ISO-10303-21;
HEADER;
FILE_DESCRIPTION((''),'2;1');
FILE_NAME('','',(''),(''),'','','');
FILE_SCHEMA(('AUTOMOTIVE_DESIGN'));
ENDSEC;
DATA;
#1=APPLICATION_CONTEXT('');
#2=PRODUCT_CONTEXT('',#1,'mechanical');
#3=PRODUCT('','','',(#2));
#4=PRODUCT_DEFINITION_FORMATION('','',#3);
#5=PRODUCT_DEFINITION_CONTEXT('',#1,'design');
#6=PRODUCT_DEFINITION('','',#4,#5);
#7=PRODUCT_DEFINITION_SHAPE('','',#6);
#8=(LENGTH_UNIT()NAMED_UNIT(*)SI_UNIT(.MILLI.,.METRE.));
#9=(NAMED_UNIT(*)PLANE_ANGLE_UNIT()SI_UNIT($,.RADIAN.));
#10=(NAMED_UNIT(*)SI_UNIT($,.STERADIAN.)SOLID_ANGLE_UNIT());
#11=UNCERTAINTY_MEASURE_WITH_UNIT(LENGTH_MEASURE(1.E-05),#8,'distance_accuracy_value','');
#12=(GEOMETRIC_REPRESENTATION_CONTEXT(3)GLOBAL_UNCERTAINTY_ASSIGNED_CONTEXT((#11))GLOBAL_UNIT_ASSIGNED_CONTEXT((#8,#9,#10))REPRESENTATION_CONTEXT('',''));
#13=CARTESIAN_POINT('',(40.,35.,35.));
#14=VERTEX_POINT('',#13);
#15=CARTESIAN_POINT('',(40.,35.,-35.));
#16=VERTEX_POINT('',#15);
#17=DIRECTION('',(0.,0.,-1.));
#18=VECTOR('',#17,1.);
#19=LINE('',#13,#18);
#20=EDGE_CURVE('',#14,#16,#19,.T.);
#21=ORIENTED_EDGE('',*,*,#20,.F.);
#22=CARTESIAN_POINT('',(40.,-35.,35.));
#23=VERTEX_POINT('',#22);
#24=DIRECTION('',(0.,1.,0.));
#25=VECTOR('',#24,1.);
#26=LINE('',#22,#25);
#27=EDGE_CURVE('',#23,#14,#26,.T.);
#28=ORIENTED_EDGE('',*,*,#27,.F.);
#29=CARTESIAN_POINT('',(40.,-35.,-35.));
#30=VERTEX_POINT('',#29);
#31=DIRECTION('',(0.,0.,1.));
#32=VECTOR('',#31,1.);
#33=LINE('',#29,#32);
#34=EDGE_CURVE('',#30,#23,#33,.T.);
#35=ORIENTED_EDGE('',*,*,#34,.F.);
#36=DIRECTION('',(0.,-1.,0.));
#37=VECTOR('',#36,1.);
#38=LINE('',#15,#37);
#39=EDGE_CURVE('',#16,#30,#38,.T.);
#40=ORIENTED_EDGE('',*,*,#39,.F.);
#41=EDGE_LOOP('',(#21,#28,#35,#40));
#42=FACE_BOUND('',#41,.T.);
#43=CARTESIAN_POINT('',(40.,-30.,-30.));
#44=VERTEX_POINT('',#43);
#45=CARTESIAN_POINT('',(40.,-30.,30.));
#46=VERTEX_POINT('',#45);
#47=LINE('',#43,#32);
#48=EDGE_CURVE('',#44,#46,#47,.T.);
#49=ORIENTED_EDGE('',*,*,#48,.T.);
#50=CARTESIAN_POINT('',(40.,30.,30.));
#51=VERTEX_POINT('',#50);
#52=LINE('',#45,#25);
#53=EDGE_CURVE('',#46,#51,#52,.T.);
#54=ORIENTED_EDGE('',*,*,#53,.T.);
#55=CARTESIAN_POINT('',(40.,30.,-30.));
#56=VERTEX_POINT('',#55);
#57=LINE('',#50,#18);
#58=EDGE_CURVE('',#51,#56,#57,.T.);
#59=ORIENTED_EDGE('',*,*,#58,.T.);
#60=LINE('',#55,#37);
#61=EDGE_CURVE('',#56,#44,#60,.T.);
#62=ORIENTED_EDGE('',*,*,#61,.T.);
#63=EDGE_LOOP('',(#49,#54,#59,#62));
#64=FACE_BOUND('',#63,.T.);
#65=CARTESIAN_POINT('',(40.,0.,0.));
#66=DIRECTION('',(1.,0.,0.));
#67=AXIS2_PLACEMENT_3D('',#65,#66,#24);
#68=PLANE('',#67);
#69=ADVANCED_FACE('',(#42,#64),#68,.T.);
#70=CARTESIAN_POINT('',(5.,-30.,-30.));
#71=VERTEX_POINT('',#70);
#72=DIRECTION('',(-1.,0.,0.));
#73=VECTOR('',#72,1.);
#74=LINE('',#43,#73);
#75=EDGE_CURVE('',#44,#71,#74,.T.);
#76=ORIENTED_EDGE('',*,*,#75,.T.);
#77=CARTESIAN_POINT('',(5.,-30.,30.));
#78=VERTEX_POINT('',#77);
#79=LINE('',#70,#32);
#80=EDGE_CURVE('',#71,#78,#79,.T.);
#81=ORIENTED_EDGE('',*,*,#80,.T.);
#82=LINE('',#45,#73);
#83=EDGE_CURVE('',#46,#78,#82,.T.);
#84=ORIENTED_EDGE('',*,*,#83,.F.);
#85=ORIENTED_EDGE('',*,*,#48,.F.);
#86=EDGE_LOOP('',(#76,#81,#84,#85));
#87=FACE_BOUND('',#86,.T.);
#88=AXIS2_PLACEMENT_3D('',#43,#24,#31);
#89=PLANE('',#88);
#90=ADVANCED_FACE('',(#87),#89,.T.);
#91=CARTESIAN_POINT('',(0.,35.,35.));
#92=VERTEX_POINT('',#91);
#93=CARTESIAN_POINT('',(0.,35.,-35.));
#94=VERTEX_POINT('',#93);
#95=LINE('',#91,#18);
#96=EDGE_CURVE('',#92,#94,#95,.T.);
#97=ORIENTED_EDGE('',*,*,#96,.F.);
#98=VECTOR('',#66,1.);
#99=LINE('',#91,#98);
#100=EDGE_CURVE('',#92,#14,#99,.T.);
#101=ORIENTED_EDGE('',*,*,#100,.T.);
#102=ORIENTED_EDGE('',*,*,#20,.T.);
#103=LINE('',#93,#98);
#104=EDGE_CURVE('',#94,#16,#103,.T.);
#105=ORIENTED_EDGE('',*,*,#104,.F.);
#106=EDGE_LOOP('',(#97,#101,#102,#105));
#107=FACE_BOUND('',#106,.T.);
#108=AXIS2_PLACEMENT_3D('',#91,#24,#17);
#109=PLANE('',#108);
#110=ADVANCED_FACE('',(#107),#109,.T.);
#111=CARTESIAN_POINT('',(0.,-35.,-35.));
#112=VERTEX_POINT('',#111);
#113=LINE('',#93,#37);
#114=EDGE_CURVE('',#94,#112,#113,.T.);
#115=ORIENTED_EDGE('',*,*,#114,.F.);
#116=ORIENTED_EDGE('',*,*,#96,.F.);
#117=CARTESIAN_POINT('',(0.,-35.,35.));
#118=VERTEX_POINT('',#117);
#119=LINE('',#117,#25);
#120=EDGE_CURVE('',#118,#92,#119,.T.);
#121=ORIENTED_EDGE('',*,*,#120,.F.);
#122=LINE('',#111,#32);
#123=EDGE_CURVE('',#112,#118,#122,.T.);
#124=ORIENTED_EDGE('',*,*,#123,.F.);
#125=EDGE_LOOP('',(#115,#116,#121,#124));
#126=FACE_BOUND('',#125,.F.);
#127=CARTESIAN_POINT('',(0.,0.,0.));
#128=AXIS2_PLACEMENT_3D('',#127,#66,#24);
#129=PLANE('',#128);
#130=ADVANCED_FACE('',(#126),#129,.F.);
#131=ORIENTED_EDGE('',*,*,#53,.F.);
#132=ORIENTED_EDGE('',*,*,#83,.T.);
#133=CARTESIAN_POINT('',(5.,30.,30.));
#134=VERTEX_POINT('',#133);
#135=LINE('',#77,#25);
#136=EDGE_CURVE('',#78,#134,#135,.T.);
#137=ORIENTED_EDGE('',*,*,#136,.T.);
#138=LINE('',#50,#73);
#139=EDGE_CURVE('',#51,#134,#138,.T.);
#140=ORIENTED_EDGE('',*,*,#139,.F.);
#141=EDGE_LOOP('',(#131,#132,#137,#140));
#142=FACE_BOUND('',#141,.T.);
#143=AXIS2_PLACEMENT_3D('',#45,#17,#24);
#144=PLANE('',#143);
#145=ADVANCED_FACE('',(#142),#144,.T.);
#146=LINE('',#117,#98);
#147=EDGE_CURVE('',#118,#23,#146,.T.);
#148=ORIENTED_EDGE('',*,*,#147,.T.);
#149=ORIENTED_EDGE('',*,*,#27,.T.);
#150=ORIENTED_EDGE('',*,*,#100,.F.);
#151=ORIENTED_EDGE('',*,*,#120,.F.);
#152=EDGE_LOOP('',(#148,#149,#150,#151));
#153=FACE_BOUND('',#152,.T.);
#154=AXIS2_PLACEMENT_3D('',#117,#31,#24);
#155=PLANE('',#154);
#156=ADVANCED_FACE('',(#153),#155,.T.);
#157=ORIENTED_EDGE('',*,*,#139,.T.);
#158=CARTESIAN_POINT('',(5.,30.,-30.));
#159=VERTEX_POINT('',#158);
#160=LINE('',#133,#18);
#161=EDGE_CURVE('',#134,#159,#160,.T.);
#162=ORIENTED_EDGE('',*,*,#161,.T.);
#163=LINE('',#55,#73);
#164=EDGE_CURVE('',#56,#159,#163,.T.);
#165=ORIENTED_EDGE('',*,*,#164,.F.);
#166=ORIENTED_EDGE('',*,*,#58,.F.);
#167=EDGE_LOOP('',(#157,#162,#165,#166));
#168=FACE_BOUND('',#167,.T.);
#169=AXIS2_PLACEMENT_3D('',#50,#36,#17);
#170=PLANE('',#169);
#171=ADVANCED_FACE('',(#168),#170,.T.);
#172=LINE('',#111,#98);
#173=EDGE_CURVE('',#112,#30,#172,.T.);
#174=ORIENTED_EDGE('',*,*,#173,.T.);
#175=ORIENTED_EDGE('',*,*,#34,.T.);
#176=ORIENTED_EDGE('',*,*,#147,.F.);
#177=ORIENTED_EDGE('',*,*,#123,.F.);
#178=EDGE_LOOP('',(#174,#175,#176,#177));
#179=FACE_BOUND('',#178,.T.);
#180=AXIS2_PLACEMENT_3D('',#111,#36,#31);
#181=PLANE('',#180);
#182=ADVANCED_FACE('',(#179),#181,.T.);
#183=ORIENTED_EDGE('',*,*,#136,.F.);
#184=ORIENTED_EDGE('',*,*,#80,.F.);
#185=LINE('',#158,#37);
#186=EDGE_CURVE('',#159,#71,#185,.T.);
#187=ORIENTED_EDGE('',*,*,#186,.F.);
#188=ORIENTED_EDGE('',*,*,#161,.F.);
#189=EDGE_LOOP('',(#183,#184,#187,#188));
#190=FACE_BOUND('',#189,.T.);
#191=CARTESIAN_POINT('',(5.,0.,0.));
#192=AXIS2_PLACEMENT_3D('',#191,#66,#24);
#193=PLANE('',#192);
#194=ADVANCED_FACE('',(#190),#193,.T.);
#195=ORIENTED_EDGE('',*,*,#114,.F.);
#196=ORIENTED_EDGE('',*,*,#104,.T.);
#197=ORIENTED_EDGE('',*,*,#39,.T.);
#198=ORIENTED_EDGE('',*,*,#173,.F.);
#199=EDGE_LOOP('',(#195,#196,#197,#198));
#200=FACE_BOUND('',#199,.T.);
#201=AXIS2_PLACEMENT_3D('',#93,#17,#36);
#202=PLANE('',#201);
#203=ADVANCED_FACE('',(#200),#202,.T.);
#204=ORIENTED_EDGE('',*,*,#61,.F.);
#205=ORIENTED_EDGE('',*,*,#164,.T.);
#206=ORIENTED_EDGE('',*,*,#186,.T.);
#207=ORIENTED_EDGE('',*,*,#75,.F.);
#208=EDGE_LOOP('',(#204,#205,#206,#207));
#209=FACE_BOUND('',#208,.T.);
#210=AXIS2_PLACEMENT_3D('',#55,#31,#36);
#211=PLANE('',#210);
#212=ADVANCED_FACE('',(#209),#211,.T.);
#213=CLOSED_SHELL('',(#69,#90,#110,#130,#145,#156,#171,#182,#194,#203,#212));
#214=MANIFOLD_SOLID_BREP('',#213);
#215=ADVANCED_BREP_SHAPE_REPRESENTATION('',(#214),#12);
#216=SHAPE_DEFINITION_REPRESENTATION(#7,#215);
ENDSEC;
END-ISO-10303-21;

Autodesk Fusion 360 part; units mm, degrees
sketch "Sketch1" plane through (0, 0, 0) normal (1, 0, 0) x (0, 1, 0)
  line L0 (-35, 35) -> (35, 35)
  line L1 (35, 35) -> (35, -35)
  line L2 (35, -35) -> (-35, -35)
  line L3 (-35, -35) -> (-35, 35)
  line L4 (-35, 35) -> (35, -35) construction
  line L5 (35, 35) -> (-35, -35) construction
  dimension "d1" = 70
  dimension "d2" = 70
extrude "Extrude1" add sketch "Sketch1" along normal blind 40
sketch "Sketch2" plane through (40, 0, 0) normal (1, 0, 0) x (0, 1, 0)
  line L0 (-35, -35) -> (35, -35)
  line L1 (35, -35) -> (35, 35)
  line L2 (35, 35) -> (-35, 35)
  line L3 (-35, 35) -> (-35, -35)
  line L4 (-30, 30) -> (30, 30)
  line L5 (30, 30) -> (30, -30)
  line L6 (30, -30) -> (-30, -30)
  line L7 (-30, -30) -> (-30, 30)
  line L8 (-30, 30) -> (30, -30) construction
  line L9 (30, 30) -> (-30, -30) construction
  dimension "d5" = 5
  dimension "d6" = 5
extrude "Extrude2" cut sketch "Sketch2" against normal blind 35 contours L4 L5 L6 L7
